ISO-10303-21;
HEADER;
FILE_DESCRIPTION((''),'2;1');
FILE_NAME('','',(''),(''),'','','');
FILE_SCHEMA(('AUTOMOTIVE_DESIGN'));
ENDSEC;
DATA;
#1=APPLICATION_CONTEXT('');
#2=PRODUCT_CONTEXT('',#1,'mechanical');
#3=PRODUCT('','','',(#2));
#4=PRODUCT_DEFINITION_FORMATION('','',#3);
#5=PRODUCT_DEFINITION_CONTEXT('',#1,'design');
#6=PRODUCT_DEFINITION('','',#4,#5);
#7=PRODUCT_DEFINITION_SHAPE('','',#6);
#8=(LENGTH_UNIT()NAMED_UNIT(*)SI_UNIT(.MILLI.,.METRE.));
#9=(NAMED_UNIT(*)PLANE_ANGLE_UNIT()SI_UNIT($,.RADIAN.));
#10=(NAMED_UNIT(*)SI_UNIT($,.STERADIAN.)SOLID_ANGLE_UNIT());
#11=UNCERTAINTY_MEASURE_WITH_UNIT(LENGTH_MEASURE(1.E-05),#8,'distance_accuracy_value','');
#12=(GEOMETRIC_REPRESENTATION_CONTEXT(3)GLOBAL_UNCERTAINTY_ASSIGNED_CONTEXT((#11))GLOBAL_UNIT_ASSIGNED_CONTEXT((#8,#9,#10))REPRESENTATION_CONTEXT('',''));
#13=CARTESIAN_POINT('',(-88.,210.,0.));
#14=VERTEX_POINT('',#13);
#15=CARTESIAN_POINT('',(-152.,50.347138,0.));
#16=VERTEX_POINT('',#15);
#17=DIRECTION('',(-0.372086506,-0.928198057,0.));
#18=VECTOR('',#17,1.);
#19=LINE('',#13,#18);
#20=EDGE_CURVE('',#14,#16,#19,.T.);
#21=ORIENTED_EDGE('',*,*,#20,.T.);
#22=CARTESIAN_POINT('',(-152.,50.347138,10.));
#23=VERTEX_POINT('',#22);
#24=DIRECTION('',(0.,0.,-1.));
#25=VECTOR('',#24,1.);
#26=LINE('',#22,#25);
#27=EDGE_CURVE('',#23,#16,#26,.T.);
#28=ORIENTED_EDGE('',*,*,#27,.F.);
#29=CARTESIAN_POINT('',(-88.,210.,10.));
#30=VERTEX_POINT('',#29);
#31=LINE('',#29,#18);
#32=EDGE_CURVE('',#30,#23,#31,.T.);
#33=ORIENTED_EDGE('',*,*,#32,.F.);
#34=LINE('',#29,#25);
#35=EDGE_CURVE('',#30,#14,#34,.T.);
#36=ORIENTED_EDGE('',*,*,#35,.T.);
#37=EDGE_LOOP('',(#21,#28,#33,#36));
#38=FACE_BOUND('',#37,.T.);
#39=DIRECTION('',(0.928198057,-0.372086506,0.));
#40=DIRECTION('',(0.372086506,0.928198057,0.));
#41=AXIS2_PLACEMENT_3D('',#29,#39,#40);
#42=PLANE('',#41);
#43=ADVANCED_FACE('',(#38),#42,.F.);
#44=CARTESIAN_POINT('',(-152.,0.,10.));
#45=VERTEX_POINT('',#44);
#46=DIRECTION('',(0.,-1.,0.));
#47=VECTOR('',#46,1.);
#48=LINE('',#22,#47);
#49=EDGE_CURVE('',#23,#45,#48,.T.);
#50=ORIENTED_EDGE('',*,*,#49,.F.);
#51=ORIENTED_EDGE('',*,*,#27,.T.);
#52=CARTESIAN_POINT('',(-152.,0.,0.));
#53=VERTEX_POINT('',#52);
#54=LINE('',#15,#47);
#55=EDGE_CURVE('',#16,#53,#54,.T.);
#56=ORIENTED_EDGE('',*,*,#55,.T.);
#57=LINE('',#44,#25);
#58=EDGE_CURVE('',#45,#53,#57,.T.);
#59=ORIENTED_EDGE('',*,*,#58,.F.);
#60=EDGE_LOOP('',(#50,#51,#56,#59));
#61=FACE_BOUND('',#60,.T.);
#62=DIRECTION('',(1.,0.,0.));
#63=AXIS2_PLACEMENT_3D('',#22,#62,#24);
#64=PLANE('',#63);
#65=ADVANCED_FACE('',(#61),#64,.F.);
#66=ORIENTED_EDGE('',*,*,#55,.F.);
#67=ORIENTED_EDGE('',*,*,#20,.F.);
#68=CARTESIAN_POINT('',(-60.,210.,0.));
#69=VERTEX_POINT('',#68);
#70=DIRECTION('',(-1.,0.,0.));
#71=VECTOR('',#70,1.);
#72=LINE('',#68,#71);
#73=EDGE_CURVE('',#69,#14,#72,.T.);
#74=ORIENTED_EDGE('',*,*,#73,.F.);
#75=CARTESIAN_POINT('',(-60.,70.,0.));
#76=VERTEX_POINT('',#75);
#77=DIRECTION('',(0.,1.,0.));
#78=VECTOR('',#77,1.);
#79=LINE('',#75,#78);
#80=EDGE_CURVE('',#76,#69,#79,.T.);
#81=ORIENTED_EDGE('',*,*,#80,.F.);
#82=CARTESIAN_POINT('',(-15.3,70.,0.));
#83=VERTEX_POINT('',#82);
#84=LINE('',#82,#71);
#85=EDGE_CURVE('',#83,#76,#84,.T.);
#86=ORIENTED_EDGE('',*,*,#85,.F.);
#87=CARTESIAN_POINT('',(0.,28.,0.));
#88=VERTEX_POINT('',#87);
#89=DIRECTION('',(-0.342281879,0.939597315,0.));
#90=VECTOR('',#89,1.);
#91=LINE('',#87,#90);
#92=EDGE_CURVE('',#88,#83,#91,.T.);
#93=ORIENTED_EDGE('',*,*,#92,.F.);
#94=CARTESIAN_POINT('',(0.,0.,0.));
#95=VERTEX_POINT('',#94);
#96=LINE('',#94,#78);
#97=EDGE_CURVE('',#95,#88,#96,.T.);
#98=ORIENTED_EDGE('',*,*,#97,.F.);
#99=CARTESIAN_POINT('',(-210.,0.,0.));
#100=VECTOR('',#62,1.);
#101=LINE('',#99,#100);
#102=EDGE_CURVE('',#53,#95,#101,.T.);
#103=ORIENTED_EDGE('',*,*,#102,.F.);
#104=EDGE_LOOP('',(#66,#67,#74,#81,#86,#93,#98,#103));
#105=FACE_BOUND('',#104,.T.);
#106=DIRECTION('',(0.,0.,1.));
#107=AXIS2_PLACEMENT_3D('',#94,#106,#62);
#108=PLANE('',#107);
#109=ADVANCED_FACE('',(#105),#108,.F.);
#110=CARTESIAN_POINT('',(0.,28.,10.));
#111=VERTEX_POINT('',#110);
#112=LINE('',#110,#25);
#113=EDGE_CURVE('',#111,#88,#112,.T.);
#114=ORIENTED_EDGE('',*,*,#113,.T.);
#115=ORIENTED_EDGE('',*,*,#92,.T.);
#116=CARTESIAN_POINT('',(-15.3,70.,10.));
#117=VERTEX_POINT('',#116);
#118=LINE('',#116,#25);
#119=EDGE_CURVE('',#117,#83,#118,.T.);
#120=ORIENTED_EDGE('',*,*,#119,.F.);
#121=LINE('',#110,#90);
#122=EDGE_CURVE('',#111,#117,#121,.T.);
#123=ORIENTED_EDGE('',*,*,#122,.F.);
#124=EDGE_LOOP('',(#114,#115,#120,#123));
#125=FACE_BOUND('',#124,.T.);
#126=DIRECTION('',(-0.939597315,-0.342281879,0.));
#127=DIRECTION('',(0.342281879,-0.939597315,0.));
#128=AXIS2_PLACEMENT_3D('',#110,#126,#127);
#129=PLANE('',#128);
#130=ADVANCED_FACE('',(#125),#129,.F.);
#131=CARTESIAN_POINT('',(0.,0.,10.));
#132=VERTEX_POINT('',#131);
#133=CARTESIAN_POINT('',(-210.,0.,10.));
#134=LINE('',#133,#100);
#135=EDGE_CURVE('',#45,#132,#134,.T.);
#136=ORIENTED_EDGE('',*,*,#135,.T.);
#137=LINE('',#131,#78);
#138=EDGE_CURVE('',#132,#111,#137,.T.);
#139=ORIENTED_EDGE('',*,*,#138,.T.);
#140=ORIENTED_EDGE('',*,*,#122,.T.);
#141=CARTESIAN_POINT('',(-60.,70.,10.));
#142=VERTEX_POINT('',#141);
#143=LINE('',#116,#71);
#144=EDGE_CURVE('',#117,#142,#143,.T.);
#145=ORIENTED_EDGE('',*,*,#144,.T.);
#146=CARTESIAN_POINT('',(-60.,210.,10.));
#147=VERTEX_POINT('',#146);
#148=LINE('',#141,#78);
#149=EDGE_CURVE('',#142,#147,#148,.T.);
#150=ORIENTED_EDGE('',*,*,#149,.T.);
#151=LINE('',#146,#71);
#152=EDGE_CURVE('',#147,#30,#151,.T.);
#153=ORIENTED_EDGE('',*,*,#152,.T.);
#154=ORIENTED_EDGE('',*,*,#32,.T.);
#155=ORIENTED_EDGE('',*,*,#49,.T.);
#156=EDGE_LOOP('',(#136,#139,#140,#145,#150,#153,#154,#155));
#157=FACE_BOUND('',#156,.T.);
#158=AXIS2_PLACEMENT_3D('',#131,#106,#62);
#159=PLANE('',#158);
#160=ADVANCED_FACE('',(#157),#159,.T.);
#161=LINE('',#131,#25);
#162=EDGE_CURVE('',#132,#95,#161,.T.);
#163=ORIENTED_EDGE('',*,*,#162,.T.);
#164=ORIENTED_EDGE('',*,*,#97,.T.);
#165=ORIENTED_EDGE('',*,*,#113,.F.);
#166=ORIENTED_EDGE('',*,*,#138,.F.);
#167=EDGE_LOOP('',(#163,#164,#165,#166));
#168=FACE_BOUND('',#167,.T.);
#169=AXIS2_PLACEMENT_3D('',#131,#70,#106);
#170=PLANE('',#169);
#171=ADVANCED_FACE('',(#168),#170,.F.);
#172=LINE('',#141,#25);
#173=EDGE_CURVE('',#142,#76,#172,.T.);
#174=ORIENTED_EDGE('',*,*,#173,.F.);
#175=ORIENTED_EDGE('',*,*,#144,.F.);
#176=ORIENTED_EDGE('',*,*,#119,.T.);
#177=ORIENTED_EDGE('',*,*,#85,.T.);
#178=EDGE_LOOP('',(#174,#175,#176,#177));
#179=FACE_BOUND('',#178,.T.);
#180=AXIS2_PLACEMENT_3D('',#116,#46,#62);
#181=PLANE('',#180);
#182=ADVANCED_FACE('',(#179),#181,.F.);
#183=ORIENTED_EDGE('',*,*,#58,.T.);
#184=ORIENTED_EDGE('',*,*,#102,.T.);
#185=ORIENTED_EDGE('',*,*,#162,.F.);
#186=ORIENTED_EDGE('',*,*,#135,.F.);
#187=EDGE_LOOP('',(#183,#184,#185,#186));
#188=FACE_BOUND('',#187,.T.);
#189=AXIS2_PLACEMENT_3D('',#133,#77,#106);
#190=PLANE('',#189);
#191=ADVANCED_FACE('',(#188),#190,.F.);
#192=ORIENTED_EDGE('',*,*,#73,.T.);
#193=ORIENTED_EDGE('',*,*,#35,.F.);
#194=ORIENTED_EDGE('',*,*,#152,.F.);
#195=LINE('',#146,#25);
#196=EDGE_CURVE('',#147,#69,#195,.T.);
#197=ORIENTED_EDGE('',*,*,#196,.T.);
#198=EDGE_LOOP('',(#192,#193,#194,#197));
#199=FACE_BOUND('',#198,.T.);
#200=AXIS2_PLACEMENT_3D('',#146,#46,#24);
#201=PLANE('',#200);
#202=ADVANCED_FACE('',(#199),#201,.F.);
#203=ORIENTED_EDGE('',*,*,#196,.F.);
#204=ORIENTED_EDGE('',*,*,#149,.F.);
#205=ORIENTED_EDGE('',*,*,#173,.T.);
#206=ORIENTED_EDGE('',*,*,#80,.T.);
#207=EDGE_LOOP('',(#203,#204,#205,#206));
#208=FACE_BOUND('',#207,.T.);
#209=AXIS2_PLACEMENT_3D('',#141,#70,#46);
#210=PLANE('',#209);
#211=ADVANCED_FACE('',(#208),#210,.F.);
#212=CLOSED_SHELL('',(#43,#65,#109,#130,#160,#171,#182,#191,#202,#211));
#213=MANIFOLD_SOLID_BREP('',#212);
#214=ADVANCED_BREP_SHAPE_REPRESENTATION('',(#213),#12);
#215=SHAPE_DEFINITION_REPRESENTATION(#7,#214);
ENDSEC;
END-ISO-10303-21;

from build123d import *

# Parameters (mm, degrees)
Y_KSEKLIK_EKSTR_ZYON1_DEPTH = 10
CUT_EXTRUDE1_DEPTH          = 10


with BuildPart() as part:
    # Çizim1 → Yükseklik-Ekstrüzyon1 (new body)
    with BuildSketch(Plane.XY):
        Polygon((-210, 28), (-210, 0), (0, 0), (0, 28), (-15.3, 70), (-60, 70), (-60, 210), (-88, 210), align=None)
    extrude(amount=Y_KSEKLIK_EKSTR_ZYON1_DEPTH)

    # Sketch1 → Cut-Extrude1 (cut)
    with BuildSketch(Plane(origin=(0, 0, 0), x_dir=(-1, 0, 0), z_dir=(0, 0, -1))):
        Polygon((152, 150.469052626), (245.176581689, 150.469052626), (245.176581689, -14.338775046), (152, -14.338775046), (152, 50.347137768), (88, 210), (152, 210), align=None)
    extrude(amount=-CUT_EXTRUDE1_DEPTH, mode=Mode.SUBTRACT)


solid = part.part
